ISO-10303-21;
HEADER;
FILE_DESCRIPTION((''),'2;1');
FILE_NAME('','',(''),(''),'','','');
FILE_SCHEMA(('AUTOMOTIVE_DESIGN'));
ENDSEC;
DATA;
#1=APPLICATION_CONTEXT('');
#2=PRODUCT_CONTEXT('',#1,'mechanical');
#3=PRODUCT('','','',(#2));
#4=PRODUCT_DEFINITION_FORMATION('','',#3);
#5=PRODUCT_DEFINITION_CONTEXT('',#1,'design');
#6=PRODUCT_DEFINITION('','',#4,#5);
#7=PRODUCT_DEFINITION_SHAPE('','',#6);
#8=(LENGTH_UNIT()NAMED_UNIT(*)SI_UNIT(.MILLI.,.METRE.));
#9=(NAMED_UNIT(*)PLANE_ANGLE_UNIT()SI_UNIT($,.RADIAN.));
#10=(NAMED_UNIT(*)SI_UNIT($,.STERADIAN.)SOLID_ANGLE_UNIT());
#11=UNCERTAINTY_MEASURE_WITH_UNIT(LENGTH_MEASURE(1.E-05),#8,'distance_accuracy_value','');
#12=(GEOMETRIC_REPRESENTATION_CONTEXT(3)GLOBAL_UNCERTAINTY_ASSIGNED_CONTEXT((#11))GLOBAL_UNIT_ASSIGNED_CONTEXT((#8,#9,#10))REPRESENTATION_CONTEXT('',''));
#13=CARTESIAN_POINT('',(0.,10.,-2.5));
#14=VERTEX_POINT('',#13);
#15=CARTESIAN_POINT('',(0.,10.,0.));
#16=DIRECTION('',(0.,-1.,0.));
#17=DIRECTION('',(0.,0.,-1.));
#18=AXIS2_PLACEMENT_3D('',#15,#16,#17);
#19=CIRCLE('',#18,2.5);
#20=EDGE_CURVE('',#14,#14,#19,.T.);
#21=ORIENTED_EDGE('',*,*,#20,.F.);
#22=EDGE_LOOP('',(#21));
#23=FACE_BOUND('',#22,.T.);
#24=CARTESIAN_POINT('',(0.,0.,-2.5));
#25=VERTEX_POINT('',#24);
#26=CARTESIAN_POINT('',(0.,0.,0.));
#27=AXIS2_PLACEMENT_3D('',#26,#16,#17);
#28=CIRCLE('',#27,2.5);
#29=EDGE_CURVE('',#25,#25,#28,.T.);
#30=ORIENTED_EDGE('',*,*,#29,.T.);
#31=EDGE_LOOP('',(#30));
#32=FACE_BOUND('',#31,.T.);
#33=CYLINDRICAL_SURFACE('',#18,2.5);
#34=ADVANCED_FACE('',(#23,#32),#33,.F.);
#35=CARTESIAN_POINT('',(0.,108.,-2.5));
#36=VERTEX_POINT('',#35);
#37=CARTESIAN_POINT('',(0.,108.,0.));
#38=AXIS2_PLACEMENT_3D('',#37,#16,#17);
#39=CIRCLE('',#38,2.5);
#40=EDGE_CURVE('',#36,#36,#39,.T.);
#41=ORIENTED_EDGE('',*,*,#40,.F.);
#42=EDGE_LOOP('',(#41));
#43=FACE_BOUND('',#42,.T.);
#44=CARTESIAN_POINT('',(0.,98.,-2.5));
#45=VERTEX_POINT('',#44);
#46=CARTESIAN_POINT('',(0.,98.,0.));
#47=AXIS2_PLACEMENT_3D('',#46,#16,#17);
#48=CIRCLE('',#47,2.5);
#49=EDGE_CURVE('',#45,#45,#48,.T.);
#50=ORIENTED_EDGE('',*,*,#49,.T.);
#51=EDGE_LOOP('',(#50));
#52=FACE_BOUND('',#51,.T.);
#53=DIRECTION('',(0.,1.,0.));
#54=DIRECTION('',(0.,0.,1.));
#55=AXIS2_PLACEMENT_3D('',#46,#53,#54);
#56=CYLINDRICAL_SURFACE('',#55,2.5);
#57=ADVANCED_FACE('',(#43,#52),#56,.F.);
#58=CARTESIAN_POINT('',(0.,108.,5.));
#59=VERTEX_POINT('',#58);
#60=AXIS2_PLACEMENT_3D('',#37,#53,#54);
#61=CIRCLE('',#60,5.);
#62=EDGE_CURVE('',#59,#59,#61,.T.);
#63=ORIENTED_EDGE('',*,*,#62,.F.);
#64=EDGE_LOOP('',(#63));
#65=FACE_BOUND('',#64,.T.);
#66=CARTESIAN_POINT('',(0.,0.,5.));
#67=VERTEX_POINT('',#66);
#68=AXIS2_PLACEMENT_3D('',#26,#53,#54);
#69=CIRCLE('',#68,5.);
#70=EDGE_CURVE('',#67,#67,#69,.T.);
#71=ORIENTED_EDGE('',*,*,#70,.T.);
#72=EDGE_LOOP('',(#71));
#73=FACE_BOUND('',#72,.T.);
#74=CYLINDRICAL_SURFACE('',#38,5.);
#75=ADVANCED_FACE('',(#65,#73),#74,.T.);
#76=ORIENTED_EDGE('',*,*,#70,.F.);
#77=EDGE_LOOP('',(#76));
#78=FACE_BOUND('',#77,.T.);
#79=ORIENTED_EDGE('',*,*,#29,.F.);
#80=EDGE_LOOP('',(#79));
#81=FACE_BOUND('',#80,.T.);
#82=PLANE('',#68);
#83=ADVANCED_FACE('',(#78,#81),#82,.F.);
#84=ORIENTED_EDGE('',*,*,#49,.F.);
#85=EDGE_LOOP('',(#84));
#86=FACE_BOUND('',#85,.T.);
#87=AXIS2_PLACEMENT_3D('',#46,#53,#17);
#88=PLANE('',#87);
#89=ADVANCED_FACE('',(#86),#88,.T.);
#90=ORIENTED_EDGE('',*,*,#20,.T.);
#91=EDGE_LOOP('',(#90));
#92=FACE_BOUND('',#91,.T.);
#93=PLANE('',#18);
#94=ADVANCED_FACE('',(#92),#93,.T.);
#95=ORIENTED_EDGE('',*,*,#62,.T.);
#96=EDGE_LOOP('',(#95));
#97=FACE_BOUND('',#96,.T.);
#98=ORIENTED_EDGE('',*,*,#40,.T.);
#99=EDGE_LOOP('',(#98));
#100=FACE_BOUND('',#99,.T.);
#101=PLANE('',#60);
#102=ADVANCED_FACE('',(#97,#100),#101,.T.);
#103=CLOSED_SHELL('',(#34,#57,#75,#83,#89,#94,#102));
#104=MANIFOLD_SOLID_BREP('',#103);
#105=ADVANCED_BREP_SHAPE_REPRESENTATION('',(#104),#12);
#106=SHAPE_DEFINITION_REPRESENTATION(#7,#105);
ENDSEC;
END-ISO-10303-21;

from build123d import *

# Parameters (mm, degrees)
CROQUIS1_R              = 5
SALIENTE_EXTRUIR1_DEPTH = 108
CROQUIS2_R              = 2.5
CORTAR_EXTRUIR1_DEPTH   = 10


with BuildPart() as part:
    # Croquis1 → Saliente-Extruir1 (new body)
    with BuildSketch(Plane(origin=(0, 0, 0), x_dir=(1, 0, 0), z_dir=(0, 1, 0))):
        with Locations(Location((0, 0, 0), (0, 0, 270))):
            Circle(CROQUIS1_R)
    extrude(amount=SALIENTE_EXTRUIR1_DEPTH)

    # Croquis2 → Cortar-Extruir1 (cut)
    with BuildSketch(Plane.XZ):
        with Locations(Location((0, 0, 0), (0, 0, 270))):
            Circle(CROQUIS2_R)
    cortar_extruir1 = extrude(amount=-CORTAR_EXTRUIR1_DEPTH, mode=Mode.SUBTRACT)

    # Simetría1: Cortar-Extruir1 across plane
    add(cortar_extruir1.mirror(Plane(origin=(0, 54, 0), x_dir=(0, 0, 1), z_dir=(0, -1, 0))), mode=Mode.SUBTRACT)


solid = part.part
